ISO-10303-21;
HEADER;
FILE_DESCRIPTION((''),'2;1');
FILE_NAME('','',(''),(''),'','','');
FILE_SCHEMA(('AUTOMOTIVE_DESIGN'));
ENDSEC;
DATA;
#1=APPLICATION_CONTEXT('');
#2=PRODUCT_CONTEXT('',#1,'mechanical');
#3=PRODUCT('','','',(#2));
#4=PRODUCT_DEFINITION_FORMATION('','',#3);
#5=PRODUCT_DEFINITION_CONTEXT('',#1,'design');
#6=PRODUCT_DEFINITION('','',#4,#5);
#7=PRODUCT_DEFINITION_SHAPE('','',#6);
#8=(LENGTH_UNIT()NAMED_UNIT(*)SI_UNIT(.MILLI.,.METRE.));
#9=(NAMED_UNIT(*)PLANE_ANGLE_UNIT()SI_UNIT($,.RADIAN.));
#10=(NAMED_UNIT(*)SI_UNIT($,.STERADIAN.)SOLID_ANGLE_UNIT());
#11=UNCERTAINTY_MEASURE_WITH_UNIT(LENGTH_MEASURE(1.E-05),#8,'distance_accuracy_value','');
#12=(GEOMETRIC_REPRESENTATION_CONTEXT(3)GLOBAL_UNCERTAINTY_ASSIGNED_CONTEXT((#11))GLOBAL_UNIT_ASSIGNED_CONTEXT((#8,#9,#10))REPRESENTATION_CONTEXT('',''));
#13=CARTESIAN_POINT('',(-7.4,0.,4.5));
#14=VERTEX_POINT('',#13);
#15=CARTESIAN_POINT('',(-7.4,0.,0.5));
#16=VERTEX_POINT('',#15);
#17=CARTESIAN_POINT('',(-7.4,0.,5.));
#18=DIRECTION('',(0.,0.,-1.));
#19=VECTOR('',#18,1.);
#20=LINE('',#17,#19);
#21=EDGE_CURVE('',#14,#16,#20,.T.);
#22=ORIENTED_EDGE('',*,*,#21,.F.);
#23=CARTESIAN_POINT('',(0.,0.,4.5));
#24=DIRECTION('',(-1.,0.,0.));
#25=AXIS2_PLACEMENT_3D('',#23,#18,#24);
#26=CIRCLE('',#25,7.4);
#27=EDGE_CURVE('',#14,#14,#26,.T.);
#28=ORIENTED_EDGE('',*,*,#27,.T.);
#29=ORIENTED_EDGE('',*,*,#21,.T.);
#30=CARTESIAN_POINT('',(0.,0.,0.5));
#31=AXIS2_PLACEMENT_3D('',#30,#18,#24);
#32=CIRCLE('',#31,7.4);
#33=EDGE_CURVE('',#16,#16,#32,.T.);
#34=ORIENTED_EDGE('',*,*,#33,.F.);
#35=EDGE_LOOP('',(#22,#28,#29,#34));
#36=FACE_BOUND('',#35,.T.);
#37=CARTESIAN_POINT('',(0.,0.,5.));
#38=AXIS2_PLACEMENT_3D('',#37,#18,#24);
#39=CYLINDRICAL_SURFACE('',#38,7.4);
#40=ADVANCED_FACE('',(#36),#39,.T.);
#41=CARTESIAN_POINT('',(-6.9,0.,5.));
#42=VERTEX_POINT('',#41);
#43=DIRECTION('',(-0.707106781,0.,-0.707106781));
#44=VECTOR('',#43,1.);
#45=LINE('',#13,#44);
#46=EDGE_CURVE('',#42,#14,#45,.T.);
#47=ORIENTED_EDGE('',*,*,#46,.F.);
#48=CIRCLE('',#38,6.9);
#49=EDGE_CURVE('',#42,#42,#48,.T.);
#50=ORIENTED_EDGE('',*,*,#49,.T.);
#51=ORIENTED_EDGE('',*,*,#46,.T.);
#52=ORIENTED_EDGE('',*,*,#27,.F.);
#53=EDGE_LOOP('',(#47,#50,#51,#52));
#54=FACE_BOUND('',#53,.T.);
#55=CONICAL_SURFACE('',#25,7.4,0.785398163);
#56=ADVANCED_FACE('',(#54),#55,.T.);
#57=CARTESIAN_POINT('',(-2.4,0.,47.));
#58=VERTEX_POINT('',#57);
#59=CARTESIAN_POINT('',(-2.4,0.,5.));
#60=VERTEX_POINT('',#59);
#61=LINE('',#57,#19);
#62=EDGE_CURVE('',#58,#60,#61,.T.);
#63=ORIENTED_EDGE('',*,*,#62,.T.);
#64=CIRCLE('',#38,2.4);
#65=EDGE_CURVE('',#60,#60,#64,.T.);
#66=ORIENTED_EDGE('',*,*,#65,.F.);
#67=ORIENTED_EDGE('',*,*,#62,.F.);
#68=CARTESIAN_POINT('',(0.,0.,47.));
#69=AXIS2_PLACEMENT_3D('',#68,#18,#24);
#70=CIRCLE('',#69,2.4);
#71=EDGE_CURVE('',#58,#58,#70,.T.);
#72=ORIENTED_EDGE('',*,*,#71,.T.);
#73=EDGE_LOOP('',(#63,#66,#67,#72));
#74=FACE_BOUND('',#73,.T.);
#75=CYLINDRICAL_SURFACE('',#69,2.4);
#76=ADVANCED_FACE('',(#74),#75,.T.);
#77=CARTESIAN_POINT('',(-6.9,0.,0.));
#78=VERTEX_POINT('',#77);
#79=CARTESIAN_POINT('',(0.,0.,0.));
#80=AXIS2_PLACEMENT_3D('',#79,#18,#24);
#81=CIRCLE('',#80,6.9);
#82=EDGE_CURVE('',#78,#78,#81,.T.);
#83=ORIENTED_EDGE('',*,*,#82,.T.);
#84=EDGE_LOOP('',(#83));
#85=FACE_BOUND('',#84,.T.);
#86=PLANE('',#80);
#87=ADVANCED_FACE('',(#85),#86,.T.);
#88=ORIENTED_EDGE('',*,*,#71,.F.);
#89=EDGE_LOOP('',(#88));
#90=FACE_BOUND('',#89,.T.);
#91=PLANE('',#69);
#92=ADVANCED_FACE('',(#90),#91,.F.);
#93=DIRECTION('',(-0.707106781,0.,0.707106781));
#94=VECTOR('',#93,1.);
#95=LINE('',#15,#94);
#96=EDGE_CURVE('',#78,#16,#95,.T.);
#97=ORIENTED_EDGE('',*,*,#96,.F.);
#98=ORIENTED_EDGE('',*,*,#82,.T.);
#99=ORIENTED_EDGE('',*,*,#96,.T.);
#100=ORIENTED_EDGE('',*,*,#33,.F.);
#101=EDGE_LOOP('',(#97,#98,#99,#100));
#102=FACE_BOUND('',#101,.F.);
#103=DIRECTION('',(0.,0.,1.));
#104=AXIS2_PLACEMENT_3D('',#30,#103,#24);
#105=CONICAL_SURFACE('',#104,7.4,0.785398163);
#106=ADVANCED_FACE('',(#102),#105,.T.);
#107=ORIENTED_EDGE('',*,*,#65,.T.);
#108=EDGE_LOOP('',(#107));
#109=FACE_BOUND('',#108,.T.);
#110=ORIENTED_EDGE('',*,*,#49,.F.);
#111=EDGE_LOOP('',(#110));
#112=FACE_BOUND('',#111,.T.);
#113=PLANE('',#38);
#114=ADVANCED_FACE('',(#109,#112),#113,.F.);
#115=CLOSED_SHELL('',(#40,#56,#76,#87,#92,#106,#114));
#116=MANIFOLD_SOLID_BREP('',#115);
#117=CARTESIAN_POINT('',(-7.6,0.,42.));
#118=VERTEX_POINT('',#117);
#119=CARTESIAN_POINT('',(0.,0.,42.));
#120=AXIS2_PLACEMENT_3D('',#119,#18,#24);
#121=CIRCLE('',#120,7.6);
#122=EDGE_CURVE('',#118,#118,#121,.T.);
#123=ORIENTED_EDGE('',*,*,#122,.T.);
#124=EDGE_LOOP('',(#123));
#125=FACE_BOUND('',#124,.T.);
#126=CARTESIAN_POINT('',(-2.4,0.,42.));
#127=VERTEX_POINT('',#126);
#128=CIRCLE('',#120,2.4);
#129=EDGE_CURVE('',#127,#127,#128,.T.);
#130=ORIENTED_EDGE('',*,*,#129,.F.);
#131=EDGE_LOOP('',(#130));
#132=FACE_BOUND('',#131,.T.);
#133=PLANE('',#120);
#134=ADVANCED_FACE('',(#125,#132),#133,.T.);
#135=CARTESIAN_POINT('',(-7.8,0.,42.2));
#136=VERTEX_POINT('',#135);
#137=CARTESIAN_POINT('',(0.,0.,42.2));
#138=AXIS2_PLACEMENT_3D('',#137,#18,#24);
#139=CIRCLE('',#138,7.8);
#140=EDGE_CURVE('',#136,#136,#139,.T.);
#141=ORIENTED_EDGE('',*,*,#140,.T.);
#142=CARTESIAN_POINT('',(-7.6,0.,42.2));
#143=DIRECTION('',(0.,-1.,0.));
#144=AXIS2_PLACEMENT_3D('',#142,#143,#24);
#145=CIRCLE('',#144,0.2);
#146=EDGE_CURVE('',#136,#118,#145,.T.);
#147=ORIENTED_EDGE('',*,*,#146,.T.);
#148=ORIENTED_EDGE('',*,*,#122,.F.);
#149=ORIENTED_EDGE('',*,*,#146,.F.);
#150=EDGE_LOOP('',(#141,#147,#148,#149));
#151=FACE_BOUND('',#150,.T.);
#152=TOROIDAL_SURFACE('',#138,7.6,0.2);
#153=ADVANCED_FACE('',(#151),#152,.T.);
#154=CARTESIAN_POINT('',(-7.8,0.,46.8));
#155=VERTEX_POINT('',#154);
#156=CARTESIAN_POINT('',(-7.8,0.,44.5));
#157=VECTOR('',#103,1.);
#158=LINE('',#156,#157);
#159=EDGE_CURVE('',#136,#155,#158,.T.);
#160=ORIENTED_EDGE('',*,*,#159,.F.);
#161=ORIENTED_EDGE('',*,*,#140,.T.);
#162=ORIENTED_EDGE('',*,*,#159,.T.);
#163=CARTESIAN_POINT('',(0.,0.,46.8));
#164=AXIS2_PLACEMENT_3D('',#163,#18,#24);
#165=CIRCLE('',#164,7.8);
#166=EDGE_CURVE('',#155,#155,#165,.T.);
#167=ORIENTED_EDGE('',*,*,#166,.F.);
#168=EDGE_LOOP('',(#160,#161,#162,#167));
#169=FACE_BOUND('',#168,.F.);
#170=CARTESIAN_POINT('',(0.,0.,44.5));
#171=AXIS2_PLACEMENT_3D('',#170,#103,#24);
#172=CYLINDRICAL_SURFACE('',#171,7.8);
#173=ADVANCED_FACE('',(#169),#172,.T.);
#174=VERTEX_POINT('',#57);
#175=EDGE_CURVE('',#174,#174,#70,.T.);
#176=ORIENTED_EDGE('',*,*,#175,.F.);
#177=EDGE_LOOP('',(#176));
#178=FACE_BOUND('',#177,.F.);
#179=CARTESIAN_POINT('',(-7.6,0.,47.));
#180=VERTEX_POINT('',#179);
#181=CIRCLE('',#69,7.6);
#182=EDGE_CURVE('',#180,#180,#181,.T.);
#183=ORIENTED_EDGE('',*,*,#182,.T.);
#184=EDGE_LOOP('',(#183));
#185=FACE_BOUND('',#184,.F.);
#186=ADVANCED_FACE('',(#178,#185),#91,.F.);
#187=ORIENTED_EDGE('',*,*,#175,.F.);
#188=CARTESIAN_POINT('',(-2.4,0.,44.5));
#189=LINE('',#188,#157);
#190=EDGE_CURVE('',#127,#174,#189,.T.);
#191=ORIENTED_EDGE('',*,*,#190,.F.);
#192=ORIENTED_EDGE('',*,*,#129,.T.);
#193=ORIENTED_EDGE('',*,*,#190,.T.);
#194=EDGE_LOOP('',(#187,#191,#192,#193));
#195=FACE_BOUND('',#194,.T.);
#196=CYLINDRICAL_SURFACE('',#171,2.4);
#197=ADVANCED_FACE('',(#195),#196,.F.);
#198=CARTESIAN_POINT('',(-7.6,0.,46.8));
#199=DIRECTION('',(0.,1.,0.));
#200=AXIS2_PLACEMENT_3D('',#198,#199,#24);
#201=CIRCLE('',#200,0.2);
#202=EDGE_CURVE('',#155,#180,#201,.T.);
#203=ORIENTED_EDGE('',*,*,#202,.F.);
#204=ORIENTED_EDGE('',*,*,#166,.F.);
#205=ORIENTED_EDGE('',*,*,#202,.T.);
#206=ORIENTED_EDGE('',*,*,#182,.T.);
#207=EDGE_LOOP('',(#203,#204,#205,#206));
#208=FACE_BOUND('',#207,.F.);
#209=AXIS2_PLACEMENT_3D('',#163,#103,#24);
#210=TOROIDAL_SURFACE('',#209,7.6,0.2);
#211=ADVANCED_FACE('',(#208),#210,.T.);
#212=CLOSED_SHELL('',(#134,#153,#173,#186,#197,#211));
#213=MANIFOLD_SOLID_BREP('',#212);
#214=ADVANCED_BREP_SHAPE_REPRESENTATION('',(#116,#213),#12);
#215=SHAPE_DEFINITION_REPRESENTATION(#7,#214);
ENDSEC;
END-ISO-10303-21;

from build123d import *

# Parameters (mm, degrees)
F2_SIZE = 0.5
F0_W    = 5.4
F0_H    = 5
F4_R    = 0.2


with BuildPart() as f1:
    # F0 (on Front) → F1 (revolve)
    with BuildSketch(Plane.XZ):
        Polygon((-7.4, 0), (0, 0), (0, 47), (-2.4, 47), (-2.4, 42), (-2.4, 5), (-7.4, 5), align=None)
    revolve(axis=Axis((0, 0, 23.5), (0, 0, -1)))

    # F2
    f2_edges = [f1.edges().sort_by_distance(p)[0] for p in [
        (7.4, 0, 5),
        (7.4, 0, 0),
    ]]
    chamfer(f2_edges, length=F2_SIZE)


with BuildPart() as f3:
    # F0 (on Front) → F3 (revolve)
    with BuildSketch(Plane.XZ):
        with Locations((-5.1, 44.5)):
            Rectangle(F0_W, F0_H)
    revolve(axis=Axis((0, 0, 23.5), (0, 0, -1)))

    # F4
    f4_edges = [f3.edges().sort_by_distance(p)[0] for p in [
        (7.8, 0, 47),
        (7.8, 0, 42),
    ]]
    fillet(f4_edges, radius=F4_R)


solid = Compound([f1.part, f3.part])
